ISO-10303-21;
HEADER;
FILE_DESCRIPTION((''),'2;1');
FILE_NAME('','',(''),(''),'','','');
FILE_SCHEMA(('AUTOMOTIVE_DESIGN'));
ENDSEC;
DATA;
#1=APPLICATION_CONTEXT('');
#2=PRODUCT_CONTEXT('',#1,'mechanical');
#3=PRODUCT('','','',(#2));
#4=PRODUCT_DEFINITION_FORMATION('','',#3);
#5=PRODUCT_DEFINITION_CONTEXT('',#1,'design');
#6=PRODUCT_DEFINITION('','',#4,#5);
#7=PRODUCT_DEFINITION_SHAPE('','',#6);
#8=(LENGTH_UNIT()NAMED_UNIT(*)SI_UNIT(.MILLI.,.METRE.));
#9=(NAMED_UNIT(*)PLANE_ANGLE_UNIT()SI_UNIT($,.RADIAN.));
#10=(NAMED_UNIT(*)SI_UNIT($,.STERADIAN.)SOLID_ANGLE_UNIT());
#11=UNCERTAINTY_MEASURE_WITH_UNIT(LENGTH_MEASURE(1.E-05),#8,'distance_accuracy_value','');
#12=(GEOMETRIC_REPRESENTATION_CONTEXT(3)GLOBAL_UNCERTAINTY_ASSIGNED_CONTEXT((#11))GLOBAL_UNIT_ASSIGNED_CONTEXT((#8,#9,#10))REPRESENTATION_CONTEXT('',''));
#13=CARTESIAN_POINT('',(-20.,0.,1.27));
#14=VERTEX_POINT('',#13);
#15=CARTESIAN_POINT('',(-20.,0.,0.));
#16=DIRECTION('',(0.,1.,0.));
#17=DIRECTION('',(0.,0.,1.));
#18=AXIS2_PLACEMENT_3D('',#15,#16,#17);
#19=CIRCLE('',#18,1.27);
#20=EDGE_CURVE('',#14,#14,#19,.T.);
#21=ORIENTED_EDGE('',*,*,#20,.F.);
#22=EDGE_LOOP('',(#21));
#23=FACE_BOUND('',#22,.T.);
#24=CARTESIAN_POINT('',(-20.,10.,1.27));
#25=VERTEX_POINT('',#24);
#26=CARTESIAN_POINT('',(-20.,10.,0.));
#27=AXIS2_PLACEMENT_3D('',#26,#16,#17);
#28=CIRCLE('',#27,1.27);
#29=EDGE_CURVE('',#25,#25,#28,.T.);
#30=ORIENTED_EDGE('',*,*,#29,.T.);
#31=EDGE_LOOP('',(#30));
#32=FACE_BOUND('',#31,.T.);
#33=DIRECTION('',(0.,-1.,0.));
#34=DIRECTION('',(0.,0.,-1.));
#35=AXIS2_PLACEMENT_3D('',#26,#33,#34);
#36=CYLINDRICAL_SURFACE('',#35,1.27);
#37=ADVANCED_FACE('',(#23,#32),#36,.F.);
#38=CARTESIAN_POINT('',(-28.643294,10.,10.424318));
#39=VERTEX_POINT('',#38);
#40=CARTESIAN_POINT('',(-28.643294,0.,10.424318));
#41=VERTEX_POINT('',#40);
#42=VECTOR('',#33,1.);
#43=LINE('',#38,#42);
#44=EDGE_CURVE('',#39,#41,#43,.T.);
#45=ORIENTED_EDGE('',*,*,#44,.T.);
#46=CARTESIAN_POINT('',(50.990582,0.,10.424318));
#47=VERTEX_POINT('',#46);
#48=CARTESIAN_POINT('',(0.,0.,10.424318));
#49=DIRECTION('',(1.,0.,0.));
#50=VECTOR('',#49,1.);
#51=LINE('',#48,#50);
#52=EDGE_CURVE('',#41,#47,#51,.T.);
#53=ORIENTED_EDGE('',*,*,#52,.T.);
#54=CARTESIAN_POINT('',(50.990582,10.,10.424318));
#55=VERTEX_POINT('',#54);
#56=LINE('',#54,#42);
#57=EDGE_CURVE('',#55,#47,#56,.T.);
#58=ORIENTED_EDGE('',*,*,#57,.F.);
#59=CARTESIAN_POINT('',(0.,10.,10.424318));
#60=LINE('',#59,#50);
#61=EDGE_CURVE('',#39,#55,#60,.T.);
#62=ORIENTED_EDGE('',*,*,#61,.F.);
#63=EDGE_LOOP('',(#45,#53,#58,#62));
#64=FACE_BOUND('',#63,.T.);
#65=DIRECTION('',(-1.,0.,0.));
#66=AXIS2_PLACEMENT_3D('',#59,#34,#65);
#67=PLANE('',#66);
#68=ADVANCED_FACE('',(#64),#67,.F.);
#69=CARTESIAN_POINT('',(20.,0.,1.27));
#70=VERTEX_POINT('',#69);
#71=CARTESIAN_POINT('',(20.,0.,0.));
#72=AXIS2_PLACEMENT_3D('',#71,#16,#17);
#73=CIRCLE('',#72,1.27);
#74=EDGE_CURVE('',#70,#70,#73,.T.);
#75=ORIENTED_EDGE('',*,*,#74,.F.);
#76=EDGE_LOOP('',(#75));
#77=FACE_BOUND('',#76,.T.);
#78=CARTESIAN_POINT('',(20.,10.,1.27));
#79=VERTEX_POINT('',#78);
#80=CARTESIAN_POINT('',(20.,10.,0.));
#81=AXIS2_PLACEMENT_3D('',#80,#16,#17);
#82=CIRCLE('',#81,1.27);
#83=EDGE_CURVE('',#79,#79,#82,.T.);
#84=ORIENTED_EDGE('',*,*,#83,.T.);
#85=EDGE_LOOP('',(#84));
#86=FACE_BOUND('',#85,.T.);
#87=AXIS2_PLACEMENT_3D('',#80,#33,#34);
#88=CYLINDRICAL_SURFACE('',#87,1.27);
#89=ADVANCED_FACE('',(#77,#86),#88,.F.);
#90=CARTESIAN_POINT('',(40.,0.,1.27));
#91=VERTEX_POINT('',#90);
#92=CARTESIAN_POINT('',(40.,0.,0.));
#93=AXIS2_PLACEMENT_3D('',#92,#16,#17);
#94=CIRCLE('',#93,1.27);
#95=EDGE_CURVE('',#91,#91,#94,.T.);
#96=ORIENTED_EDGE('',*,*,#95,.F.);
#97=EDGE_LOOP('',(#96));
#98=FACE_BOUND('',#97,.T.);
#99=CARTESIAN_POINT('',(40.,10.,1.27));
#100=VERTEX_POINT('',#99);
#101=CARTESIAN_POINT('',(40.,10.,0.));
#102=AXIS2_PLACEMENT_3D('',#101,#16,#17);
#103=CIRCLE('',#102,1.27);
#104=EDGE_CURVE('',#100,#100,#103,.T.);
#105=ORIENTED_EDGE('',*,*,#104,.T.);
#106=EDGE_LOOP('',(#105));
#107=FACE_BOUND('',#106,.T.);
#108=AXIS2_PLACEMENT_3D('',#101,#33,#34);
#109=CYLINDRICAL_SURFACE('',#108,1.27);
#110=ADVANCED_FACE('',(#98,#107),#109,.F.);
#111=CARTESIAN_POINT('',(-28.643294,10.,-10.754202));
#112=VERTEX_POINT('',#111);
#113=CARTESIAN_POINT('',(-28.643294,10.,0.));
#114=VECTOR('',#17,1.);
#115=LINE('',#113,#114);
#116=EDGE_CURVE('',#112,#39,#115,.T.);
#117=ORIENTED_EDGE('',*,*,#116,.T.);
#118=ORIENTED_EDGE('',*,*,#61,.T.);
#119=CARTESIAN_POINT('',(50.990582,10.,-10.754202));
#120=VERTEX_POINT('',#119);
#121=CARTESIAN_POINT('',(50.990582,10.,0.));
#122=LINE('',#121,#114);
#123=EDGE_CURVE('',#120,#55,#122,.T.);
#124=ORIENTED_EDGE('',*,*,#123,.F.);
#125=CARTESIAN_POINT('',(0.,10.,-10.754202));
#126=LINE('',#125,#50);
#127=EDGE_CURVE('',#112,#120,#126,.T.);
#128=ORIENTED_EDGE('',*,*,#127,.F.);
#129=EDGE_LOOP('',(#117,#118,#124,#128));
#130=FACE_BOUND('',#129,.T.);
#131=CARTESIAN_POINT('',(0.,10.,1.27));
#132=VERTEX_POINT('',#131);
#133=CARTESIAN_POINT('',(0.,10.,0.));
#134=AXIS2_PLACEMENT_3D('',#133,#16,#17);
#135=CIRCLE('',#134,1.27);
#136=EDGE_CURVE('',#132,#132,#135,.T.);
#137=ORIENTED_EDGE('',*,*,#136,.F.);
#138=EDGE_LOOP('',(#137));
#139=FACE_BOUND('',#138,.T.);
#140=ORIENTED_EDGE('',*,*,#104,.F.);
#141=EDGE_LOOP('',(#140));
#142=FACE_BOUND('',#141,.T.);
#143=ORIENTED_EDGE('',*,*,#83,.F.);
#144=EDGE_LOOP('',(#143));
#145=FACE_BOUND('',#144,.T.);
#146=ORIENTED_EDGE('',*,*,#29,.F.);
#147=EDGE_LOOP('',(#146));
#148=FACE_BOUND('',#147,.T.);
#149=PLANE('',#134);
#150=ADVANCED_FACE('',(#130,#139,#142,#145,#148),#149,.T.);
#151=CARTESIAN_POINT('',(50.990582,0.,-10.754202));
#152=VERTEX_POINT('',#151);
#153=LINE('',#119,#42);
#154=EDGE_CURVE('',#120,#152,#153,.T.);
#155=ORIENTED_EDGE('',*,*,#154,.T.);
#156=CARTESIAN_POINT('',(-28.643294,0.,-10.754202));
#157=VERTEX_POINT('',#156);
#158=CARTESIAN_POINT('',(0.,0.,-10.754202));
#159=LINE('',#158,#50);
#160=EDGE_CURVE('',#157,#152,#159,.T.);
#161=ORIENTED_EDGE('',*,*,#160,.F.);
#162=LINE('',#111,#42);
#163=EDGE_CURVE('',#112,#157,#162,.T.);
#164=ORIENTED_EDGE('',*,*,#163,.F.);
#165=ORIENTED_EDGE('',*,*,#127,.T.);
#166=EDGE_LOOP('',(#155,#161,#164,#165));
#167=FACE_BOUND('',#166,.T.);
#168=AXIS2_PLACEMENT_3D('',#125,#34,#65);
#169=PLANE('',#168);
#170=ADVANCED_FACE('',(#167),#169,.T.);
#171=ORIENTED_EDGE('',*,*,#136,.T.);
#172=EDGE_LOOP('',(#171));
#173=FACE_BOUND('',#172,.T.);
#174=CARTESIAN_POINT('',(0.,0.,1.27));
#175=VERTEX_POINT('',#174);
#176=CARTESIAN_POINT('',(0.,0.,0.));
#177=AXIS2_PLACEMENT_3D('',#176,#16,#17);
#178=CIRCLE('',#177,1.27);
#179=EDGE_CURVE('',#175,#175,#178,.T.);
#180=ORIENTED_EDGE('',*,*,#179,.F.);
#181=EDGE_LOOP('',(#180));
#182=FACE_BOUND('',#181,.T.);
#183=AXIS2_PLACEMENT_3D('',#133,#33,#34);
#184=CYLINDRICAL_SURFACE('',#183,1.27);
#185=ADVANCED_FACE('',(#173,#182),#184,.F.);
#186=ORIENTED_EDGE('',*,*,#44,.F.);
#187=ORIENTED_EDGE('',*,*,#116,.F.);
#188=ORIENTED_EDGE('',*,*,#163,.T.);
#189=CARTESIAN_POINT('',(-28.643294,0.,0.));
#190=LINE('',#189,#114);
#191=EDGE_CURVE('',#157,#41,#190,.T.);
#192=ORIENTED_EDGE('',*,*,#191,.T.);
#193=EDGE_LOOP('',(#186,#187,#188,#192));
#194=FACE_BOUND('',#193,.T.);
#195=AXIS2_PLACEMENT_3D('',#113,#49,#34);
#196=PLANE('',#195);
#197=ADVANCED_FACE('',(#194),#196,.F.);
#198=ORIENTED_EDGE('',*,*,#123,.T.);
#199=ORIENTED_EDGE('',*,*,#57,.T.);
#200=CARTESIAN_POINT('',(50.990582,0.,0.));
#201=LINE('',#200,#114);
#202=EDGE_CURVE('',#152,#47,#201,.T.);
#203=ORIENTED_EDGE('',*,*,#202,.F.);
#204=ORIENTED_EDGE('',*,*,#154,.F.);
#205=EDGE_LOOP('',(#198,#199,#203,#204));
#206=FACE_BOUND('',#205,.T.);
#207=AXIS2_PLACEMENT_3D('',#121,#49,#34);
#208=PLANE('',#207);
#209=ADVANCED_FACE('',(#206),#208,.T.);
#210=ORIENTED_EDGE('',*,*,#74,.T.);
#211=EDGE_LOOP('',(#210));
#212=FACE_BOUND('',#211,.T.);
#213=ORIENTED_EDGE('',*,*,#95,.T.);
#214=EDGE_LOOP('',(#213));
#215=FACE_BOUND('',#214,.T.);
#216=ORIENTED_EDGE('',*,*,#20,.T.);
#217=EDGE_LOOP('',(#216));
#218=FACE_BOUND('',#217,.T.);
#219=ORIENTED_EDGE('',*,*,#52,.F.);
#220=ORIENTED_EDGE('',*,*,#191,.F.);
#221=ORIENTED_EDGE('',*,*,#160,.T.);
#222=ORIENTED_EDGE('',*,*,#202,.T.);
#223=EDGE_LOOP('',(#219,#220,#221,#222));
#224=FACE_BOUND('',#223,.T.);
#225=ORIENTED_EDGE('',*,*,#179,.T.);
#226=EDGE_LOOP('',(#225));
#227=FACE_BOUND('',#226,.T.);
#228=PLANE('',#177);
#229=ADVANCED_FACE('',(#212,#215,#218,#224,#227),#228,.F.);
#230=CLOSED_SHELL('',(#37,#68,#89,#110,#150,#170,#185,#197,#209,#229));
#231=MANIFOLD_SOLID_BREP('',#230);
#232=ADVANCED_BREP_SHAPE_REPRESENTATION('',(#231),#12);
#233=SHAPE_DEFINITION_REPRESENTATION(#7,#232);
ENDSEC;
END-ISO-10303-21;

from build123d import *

# Parameters (mm, degrees)
SKETCH1_W           = 79.633875738
SKETCH1_H           = 21.178520391
SKETCH1_R           = 1.27
BOSS_EXTRUDE1_DEPTH = 10


with BuildPart() as part:
    # Sketch1 → Boss-Extrude1 (new body)
    with BuildSketch(Plane(origin=(0, 0, 0), x_dir=(1, 0, 0), z_dir=(0, 1, 0))):
        with Locations((11.173643964, 0.164941747)):
            Rectangle(SKETCH1_W, SKETCH1_H)
        with Locations(Location((0, 0, 0), (0, 0, 270))):
            Circle(SKETCH1_R, mode=Mode.SUBTRACT)
        with Locations(Location((-20, 0, 0), (0, 0, 270))):
            Circle(SKETCH1_R, mode=Mode.SUBTRACT)
        with Locations(Location((20, 0, 0), (0, 0, 270))):
            Circle(SKETCH1_R, mode=Mode.SUBTRACT)
        with Locations(Location((40, 0, 0), (0, 0, 270))):
            Circle(SKETCH1_R, mode=Mode.SUBTRACT)
    extrude(amount=BOSS_EXTRUDE1_DEPTH)


solid = part.part
